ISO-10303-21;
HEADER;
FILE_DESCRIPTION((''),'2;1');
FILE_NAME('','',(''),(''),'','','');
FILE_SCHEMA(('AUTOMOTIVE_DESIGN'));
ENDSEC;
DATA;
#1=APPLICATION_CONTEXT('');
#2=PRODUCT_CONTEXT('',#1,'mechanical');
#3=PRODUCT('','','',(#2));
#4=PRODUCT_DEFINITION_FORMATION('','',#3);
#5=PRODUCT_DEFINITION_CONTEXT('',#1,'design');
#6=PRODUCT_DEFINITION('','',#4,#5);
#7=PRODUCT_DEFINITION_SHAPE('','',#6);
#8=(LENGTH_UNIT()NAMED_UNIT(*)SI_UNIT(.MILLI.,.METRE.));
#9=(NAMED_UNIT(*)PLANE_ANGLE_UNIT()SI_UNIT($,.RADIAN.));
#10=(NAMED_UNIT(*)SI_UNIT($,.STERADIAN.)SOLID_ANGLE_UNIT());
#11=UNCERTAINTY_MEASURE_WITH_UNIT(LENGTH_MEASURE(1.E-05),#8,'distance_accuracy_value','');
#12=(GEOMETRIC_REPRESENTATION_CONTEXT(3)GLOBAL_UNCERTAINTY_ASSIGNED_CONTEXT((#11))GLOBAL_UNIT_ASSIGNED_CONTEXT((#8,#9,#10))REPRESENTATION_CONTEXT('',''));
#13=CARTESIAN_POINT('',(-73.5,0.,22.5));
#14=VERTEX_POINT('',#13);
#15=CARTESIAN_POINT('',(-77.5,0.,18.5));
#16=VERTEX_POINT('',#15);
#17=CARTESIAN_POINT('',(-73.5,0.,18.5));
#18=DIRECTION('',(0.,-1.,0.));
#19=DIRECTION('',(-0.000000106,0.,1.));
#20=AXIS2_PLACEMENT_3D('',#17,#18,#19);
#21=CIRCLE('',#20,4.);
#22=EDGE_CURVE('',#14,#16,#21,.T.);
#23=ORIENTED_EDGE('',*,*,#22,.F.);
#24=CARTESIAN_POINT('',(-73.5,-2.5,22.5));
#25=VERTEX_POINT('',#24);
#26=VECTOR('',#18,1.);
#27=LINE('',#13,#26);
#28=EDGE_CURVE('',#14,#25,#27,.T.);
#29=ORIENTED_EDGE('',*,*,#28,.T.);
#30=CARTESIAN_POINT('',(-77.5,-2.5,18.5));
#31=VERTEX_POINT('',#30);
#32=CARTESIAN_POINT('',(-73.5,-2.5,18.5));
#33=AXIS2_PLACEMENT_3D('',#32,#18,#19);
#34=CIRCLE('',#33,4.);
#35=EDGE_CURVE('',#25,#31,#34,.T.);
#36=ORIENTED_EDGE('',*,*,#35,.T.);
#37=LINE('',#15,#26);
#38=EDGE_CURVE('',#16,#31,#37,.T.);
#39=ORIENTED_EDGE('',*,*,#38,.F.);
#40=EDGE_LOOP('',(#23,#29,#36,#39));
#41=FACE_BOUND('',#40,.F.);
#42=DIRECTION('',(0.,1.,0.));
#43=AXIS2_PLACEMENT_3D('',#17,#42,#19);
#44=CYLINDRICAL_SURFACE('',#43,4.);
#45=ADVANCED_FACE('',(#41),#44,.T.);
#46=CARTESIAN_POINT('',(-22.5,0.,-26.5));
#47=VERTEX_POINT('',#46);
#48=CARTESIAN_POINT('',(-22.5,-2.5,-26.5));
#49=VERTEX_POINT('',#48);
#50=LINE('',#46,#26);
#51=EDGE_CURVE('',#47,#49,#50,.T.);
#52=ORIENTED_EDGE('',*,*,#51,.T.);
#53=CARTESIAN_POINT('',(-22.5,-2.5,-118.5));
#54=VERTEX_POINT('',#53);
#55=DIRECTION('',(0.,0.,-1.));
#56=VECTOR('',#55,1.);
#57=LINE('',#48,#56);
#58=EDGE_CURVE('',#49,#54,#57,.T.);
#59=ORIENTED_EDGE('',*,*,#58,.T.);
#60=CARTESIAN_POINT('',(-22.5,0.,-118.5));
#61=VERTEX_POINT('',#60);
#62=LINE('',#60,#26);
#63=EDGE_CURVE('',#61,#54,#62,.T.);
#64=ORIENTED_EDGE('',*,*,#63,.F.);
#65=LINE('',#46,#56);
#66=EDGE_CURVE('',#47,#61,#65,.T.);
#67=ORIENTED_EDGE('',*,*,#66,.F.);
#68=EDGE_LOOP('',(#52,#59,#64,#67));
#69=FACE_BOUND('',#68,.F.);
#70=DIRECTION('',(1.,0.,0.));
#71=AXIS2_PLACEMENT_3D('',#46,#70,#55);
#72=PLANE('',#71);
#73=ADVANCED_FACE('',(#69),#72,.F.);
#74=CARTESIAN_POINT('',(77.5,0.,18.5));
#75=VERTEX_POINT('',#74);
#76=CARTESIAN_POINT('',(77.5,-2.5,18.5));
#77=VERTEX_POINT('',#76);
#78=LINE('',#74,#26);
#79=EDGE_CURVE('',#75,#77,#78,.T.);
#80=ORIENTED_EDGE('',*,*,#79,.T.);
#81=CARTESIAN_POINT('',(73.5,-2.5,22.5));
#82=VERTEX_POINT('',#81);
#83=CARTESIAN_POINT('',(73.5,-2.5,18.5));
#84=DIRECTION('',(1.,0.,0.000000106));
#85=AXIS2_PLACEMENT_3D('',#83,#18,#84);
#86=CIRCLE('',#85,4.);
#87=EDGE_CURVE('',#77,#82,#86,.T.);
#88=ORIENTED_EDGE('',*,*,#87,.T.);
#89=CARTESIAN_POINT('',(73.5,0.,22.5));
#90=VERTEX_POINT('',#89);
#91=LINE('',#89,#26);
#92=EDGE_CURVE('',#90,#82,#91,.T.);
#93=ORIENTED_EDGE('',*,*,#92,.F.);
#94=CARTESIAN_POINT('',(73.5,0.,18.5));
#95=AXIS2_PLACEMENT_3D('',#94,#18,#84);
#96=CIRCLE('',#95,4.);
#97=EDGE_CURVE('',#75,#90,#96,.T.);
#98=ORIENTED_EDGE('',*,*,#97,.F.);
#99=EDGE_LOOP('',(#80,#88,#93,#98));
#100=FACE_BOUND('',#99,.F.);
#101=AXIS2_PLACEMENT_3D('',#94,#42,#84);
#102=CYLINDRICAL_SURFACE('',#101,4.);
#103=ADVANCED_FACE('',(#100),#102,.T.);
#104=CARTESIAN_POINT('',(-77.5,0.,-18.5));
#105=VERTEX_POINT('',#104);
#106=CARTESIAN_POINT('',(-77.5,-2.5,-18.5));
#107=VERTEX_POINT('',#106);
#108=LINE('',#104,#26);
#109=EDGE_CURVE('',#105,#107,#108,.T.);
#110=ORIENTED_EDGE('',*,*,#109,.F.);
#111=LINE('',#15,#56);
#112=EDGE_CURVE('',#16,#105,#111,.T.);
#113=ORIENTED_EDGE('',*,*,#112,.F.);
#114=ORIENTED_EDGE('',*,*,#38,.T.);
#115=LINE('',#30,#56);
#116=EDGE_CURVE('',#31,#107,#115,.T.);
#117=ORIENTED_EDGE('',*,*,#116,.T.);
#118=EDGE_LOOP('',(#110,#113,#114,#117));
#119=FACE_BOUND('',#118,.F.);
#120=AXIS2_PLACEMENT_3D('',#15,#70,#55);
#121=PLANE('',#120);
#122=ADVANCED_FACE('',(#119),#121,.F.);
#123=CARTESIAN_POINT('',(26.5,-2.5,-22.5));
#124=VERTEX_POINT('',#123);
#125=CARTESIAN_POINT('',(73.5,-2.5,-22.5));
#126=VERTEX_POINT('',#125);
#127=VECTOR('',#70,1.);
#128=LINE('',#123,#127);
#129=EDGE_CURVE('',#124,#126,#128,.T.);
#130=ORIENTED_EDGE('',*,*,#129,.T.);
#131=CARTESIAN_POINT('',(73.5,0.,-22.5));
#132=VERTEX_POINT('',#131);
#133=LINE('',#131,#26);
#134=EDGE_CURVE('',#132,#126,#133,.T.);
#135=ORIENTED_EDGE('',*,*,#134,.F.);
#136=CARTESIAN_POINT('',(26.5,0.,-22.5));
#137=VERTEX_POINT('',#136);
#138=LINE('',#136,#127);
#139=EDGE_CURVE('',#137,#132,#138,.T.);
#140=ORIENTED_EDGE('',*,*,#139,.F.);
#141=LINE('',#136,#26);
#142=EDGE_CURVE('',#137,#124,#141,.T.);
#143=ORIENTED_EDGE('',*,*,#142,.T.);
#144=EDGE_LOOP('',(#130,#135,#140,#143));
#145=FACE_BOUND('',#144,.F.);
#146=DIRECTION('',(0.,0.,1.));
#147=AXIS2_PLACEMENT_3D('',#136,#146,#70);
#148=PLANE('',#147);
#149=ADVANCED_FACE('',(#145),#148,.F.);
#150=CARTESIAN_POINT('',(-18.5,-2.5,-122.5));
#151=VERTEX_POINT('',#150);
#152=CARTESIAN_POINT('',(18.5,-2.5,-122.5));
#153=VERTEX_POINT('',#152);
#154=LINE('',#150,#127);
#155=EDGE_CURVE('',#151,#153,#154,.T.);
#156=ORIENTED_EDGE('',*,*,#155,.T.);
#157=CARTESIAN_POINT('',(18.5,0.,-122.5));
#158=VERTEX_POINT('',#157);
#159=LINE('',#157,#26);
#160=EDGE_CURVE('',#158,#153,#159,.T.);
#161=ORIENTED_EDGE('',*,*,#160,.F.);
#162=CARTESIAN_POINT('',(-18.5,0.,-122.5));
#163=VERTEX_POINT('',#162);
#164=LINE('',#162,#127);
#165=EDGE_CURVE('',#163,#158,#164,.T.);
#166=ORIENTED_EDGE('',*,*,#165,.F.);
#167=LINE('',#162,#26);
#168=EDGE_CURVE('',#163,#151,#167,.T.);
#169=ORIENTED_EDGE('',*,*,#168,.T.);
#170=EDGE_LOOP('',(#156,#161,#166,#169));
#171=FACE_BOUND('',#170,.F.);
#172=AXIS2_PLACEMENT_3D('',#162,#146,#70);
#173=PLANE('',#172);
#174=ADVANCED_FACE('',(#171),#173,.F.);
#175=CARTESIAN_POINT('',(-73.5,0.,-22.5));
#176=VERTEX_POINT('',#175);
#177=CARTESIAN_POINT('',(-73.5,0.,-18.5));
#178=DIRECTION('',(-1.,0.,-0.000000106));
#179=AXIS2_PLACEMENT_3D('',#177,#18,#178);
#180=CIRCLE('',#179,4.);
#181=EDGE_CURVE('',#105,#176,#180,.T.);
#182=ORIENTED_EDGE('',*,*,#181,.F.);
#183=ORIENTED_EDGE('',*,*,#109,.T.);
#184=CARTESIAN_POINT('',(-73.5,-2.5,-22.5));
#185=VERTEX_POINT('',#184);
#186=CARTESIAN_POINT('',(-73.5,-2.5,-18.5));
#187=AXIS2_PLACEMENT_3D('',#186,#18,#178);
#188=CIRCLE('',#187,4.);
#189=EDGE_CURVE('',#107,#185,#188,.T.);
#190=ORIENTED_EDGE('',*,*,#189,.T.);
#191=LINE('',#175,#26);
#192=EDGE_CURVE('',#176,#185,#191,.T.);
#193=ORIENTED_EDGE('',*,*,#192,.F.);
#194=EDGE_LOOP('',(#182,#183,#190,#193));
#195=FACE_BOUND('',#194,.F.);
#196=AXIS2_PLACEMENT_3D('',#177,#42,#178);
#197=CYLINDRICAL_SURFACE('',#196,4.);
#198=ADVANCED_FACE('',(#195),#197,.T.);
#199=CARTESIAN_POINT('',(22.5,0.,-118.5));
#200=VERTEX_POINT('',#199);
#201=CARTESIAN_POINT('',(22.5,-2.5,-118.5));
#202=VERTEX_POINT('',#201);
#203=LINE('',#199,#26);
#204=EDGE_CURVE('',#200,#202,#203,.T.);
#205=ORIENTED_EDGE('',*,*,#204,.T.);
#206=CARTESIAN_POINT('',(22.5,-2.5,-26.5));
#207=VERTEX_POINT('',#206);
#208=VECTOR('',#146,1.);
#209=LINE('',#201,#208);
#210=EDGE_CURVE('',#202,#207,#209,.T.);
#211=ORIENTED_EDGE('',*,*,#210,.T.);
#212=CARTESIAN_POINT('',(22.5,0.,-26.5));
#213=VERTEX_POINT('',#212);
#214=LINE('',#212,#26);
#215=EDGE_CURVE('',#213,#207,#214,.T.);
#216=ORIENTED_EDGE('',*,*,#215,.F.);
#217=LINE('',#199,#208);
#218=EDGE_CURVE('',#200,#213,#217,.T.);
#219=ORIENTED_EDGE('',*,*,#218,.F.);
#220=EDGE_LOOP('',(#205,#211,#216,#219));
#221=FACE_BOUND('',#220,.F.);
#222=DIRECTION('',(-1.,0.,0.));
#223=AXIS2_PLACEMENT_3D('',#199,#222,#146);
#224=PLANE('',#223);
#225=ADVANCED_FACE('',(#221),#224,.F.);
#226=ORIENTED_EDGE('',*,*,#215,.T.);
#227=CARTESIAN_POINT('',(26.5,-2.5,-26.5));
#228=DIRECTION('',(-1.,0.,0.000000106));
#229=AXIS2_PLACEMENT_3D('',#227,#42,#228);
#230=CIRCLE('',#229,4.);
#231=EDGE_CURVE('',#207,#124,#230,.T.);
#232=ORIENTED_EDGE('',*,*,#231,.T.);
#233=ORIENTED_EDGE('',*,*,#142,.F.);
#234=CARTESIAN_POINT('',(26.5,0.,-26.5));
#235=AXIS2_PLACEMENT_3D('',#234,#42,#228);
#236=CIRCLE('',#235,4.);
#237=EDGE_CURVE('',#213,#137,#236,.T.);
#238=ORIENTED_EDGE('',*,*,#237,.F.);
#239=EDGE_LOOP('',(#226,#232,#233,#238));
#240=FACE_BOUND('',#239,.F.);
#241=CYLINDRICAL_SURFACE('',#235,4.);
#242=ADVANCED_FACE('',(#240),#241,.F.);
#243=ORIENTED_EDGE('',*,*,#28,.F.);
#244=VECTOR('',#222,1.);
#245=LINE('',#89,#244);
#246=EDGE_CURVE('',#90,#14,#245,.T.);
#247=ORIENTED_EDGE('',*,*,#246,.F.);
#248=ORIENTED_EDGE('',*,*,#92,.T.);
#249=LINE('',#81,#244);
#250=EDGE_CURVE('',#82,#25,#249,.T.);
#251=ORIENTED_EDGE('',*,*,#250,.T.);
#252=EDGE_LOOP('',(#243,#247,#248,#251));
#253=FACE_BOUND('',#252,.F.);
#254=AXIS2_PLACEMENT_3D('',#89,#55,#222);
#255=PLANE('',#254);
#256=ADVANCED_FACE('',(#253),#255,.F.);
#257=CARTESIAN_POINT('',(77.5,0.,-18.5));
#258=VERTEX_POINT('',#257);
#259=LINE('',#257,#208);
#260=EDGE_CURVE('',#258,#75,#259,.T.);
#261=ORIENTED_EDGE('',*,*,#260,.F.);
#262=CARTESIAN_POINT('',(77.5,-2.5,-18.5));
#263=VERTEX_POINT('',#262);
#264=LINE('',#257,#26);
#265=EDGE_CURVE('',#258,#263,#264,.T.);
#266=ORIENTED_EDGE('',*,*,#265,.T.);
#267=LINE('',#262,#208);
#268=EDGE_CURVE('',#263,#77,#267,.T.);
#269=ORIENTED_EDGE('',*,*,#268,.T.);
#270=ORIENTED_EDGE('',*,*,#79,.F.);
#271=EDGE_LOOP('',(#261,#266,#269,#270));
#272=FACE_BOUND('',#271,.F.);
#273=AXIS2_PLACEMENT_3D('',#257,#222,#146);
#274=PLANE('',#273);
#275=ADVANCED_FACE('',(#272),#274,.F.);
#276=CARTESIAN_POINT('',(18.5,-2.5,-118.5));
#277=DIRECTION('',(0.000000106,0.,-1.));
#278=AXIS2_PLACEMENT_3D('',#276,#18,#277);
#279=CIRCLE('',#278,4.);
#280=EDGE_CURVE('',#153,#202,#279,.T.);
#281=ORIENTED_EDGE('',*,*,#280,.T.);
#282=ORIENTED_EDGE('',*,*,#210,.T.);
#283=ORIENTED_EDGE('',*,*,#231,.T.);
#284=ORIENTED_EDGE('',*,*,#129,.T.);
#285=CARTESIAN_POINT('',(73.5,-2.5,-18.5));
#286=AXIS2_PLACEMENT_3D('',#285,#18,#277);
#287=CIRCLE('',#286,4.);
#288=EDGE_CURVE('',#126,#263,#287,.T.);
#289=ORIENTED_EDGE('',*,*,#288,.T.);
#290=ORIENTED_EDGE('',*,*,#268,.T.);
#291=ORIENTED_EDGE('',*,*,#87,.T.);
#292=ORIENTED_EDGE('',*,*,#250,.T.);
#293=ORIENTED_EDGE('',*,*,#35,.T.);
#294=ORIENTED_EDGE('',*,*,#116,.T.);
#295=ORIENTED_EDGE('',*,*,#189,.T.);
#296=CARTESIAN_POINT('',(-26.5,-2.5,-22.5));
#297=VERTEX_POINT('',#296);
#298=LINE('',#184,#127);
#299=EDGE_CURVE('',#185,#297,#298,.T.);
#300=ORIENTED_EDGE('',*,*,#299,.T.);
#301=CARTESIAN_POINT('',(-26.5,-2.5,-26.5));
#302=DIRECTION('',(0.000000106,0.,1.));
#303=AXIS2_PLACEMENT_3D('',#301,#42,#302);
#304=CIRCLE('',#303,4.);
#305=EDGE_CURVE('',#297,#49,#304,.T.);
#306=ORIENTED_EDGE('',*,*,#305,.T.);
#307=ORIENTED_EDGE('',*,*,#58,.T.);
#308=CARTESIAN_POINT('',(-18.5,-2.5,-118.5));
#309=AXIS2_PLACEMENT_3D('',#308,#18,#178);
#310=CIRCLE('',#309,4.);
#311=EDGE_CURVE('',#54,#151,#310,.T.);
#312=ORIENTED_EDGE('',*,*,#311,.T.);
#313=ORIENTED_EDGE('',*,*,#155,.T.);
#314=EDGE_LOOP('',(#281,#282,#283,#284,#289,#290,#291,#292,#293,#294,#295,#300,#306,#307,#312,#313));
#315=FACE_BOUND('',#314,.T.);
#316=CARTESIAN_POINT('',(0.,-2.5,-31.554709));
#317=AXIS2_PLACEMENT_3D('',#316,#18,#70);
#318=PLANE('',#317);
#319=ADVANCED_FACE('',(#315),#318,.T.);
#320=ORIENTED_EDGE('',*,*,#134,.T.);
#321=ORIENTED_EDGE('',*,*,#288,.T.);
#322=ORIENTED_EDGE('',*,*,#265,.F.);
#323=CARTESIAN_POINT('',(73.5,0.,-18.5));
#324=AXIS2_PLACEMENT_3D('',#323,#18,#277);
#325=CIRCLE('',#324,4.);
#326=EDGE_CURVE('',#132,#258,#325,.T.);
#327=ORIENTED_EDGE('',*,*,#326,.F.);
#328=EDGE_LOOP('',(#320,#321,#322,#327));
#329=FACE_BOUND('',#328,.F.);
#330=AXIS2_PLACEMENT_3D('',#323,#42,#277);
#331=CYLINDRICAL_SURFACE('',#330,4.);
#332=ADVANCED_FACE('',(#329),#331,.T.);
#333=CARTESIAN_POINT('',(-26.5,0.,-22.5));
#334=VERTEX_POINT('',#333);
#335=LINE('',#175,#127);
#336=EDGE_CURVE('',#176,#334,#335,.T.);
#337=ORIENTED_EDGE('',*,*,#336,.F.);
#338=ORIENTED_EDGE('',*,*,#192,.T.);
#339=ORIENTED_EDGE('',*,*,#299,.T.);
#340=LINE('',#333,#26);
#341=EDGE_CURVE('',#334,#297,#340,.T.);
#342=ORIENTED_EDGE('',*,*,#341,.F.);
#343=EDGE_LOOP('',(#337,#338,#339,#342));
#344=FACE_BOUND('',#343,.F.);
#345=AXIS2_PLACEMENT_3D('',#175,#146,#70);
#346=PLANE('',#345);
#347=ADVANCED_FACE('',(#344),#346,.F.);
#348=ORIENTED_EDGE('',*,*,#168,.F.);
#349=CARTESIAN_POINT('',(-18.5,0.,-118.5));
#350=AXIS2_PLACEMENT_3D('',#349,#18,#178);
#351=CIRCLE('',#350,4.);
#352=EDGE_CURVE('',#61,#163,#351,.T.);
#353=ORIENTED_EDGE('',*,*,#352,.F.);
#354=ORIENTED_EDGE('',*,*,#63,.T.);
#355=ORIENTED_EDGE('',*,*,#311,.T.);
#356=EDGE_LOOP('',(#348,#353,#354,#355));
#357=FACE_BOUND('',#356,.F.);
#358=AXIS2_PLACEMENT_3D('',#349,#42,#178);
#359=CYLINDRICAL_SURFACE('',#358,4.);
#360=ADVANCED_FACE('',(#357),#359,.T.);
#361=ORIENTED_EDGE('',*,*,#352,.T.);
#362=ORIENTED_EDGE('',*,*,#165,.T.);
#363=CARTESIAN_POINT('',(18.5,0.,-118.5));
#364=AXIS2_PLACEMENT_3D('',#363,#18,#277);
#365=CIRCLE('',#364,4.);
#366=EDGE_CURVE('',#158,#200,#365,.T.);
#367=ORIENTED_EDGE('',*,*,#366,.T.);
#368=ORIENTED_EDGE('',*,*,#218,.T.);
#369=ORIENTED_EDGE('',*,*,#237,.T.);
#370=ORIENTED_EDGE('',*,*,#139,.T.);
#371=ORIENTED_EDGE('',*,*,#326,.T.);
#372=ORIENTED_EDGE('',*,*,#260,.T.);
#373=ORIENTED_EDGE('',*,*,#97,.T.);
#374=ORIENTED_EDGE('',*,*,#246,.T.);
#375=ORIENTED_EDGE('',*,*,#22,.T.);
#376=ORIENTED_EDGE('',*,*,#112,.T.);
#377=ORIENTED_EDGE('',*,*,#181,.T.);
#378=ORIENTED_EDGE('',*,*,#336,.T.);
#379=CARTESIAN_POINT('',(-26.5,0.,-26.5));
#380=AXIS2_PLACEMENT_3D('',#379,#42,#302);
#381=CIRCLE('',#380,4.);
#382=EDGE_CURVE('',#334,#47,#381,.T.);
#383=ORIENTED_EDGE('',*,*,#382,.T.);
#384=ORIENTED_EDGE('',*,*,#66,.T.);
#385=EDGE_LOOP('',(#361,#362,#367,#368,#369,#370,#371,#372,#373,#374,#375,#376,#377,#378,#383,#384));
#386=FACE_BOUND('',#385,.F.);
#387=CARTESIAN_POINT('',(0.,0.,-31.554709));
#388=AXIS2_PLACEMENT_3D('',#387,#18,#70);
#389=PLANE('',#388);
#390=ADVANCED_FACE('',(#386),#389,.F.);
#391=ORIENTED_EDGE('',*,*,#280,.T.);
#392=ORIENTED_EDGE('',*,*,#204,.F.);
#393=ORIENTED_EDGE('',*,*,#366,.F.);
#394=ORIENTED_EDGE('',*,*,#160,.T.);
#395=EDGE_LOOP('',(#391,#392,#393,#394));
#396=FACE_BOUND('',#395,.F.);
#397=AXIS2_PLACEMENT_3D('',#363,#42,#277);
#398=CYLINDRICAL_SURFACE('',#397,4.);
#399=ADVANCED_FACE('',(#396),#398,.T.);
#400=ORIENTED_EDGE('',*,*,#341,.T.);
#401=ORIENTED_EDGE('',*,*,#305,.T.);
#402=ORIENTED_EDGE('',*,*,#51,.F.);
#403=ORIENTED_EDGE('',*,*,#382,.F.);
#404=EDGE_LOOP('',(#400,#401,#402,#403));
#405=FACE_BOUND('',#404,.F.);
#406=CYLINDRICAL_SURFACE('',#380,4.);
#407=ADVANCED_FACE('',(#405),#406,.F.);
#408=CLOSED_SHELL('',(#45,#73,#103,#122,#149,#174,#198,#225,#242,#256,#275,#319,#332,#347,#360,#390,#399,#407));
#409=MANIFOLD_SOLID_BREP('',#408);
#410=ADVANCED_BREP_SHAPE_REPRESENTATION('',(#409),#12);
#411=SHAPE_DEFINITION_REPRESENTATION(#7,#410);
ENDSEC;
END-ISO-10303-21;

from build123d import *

# Parameters (mm, degrees)
F1_DEPTH = 2.5


with BuildPart() as f1:
    # F0 (on Front) → F1 (new body)
    with BuildSketch(Plane.XZ):
        with BuildLine():
            ThreePointArc((77.5, 18.5), (76.328427, 21.328427), (73.5, 22.5))
            Line((73.5, 22.5), (-73.5, 22.5))
            ThreePointArc((-73.5, 22.5), (-76.328427, 21.328427), (-77.5, 18.5))
            Line((-77.5, 18.5), (-77.5, -18.5))
            ThreePointArc((-77.5, -18.5), (-76.328427, -21.328427), (-73.5, -22.5))
            Line((-73.5, -22.5), (-26.5, -22.5))
            ThreePointArc((-26.5, -22.5), (-23.671573, -23.671573), (-22.5, -26.5))
            Line((-22.5, -26.5), (-22.5, -118.5))
            ThreePointArc((-22.5, -118.5), (-21.328427, -121.328427), (-18.5, -122.5))
            Line((-18.5, -122.5), (18.5, -122.5))
            ThreePointArc((18.5, -122.5), (21.328427, -121.328427), (22.5, -118.5))
            Line((22.5, -118.5), (22.5, -26.5))
            ThreePointArc((22.5, -26.5), (23.671573, -23.671573), (26.5, -22.5))
            Line((26.5, -22.5), (73.5, -22.5))
            ThreePointArc((73.5, -22.5), (76.328427, -21.328427), (77.5, -18.5))
            Line((77.5, -18.5), (77.5, 18.5))
        make_face()
    extrude(amount=F1_DEPTH)


solid = f1.part
